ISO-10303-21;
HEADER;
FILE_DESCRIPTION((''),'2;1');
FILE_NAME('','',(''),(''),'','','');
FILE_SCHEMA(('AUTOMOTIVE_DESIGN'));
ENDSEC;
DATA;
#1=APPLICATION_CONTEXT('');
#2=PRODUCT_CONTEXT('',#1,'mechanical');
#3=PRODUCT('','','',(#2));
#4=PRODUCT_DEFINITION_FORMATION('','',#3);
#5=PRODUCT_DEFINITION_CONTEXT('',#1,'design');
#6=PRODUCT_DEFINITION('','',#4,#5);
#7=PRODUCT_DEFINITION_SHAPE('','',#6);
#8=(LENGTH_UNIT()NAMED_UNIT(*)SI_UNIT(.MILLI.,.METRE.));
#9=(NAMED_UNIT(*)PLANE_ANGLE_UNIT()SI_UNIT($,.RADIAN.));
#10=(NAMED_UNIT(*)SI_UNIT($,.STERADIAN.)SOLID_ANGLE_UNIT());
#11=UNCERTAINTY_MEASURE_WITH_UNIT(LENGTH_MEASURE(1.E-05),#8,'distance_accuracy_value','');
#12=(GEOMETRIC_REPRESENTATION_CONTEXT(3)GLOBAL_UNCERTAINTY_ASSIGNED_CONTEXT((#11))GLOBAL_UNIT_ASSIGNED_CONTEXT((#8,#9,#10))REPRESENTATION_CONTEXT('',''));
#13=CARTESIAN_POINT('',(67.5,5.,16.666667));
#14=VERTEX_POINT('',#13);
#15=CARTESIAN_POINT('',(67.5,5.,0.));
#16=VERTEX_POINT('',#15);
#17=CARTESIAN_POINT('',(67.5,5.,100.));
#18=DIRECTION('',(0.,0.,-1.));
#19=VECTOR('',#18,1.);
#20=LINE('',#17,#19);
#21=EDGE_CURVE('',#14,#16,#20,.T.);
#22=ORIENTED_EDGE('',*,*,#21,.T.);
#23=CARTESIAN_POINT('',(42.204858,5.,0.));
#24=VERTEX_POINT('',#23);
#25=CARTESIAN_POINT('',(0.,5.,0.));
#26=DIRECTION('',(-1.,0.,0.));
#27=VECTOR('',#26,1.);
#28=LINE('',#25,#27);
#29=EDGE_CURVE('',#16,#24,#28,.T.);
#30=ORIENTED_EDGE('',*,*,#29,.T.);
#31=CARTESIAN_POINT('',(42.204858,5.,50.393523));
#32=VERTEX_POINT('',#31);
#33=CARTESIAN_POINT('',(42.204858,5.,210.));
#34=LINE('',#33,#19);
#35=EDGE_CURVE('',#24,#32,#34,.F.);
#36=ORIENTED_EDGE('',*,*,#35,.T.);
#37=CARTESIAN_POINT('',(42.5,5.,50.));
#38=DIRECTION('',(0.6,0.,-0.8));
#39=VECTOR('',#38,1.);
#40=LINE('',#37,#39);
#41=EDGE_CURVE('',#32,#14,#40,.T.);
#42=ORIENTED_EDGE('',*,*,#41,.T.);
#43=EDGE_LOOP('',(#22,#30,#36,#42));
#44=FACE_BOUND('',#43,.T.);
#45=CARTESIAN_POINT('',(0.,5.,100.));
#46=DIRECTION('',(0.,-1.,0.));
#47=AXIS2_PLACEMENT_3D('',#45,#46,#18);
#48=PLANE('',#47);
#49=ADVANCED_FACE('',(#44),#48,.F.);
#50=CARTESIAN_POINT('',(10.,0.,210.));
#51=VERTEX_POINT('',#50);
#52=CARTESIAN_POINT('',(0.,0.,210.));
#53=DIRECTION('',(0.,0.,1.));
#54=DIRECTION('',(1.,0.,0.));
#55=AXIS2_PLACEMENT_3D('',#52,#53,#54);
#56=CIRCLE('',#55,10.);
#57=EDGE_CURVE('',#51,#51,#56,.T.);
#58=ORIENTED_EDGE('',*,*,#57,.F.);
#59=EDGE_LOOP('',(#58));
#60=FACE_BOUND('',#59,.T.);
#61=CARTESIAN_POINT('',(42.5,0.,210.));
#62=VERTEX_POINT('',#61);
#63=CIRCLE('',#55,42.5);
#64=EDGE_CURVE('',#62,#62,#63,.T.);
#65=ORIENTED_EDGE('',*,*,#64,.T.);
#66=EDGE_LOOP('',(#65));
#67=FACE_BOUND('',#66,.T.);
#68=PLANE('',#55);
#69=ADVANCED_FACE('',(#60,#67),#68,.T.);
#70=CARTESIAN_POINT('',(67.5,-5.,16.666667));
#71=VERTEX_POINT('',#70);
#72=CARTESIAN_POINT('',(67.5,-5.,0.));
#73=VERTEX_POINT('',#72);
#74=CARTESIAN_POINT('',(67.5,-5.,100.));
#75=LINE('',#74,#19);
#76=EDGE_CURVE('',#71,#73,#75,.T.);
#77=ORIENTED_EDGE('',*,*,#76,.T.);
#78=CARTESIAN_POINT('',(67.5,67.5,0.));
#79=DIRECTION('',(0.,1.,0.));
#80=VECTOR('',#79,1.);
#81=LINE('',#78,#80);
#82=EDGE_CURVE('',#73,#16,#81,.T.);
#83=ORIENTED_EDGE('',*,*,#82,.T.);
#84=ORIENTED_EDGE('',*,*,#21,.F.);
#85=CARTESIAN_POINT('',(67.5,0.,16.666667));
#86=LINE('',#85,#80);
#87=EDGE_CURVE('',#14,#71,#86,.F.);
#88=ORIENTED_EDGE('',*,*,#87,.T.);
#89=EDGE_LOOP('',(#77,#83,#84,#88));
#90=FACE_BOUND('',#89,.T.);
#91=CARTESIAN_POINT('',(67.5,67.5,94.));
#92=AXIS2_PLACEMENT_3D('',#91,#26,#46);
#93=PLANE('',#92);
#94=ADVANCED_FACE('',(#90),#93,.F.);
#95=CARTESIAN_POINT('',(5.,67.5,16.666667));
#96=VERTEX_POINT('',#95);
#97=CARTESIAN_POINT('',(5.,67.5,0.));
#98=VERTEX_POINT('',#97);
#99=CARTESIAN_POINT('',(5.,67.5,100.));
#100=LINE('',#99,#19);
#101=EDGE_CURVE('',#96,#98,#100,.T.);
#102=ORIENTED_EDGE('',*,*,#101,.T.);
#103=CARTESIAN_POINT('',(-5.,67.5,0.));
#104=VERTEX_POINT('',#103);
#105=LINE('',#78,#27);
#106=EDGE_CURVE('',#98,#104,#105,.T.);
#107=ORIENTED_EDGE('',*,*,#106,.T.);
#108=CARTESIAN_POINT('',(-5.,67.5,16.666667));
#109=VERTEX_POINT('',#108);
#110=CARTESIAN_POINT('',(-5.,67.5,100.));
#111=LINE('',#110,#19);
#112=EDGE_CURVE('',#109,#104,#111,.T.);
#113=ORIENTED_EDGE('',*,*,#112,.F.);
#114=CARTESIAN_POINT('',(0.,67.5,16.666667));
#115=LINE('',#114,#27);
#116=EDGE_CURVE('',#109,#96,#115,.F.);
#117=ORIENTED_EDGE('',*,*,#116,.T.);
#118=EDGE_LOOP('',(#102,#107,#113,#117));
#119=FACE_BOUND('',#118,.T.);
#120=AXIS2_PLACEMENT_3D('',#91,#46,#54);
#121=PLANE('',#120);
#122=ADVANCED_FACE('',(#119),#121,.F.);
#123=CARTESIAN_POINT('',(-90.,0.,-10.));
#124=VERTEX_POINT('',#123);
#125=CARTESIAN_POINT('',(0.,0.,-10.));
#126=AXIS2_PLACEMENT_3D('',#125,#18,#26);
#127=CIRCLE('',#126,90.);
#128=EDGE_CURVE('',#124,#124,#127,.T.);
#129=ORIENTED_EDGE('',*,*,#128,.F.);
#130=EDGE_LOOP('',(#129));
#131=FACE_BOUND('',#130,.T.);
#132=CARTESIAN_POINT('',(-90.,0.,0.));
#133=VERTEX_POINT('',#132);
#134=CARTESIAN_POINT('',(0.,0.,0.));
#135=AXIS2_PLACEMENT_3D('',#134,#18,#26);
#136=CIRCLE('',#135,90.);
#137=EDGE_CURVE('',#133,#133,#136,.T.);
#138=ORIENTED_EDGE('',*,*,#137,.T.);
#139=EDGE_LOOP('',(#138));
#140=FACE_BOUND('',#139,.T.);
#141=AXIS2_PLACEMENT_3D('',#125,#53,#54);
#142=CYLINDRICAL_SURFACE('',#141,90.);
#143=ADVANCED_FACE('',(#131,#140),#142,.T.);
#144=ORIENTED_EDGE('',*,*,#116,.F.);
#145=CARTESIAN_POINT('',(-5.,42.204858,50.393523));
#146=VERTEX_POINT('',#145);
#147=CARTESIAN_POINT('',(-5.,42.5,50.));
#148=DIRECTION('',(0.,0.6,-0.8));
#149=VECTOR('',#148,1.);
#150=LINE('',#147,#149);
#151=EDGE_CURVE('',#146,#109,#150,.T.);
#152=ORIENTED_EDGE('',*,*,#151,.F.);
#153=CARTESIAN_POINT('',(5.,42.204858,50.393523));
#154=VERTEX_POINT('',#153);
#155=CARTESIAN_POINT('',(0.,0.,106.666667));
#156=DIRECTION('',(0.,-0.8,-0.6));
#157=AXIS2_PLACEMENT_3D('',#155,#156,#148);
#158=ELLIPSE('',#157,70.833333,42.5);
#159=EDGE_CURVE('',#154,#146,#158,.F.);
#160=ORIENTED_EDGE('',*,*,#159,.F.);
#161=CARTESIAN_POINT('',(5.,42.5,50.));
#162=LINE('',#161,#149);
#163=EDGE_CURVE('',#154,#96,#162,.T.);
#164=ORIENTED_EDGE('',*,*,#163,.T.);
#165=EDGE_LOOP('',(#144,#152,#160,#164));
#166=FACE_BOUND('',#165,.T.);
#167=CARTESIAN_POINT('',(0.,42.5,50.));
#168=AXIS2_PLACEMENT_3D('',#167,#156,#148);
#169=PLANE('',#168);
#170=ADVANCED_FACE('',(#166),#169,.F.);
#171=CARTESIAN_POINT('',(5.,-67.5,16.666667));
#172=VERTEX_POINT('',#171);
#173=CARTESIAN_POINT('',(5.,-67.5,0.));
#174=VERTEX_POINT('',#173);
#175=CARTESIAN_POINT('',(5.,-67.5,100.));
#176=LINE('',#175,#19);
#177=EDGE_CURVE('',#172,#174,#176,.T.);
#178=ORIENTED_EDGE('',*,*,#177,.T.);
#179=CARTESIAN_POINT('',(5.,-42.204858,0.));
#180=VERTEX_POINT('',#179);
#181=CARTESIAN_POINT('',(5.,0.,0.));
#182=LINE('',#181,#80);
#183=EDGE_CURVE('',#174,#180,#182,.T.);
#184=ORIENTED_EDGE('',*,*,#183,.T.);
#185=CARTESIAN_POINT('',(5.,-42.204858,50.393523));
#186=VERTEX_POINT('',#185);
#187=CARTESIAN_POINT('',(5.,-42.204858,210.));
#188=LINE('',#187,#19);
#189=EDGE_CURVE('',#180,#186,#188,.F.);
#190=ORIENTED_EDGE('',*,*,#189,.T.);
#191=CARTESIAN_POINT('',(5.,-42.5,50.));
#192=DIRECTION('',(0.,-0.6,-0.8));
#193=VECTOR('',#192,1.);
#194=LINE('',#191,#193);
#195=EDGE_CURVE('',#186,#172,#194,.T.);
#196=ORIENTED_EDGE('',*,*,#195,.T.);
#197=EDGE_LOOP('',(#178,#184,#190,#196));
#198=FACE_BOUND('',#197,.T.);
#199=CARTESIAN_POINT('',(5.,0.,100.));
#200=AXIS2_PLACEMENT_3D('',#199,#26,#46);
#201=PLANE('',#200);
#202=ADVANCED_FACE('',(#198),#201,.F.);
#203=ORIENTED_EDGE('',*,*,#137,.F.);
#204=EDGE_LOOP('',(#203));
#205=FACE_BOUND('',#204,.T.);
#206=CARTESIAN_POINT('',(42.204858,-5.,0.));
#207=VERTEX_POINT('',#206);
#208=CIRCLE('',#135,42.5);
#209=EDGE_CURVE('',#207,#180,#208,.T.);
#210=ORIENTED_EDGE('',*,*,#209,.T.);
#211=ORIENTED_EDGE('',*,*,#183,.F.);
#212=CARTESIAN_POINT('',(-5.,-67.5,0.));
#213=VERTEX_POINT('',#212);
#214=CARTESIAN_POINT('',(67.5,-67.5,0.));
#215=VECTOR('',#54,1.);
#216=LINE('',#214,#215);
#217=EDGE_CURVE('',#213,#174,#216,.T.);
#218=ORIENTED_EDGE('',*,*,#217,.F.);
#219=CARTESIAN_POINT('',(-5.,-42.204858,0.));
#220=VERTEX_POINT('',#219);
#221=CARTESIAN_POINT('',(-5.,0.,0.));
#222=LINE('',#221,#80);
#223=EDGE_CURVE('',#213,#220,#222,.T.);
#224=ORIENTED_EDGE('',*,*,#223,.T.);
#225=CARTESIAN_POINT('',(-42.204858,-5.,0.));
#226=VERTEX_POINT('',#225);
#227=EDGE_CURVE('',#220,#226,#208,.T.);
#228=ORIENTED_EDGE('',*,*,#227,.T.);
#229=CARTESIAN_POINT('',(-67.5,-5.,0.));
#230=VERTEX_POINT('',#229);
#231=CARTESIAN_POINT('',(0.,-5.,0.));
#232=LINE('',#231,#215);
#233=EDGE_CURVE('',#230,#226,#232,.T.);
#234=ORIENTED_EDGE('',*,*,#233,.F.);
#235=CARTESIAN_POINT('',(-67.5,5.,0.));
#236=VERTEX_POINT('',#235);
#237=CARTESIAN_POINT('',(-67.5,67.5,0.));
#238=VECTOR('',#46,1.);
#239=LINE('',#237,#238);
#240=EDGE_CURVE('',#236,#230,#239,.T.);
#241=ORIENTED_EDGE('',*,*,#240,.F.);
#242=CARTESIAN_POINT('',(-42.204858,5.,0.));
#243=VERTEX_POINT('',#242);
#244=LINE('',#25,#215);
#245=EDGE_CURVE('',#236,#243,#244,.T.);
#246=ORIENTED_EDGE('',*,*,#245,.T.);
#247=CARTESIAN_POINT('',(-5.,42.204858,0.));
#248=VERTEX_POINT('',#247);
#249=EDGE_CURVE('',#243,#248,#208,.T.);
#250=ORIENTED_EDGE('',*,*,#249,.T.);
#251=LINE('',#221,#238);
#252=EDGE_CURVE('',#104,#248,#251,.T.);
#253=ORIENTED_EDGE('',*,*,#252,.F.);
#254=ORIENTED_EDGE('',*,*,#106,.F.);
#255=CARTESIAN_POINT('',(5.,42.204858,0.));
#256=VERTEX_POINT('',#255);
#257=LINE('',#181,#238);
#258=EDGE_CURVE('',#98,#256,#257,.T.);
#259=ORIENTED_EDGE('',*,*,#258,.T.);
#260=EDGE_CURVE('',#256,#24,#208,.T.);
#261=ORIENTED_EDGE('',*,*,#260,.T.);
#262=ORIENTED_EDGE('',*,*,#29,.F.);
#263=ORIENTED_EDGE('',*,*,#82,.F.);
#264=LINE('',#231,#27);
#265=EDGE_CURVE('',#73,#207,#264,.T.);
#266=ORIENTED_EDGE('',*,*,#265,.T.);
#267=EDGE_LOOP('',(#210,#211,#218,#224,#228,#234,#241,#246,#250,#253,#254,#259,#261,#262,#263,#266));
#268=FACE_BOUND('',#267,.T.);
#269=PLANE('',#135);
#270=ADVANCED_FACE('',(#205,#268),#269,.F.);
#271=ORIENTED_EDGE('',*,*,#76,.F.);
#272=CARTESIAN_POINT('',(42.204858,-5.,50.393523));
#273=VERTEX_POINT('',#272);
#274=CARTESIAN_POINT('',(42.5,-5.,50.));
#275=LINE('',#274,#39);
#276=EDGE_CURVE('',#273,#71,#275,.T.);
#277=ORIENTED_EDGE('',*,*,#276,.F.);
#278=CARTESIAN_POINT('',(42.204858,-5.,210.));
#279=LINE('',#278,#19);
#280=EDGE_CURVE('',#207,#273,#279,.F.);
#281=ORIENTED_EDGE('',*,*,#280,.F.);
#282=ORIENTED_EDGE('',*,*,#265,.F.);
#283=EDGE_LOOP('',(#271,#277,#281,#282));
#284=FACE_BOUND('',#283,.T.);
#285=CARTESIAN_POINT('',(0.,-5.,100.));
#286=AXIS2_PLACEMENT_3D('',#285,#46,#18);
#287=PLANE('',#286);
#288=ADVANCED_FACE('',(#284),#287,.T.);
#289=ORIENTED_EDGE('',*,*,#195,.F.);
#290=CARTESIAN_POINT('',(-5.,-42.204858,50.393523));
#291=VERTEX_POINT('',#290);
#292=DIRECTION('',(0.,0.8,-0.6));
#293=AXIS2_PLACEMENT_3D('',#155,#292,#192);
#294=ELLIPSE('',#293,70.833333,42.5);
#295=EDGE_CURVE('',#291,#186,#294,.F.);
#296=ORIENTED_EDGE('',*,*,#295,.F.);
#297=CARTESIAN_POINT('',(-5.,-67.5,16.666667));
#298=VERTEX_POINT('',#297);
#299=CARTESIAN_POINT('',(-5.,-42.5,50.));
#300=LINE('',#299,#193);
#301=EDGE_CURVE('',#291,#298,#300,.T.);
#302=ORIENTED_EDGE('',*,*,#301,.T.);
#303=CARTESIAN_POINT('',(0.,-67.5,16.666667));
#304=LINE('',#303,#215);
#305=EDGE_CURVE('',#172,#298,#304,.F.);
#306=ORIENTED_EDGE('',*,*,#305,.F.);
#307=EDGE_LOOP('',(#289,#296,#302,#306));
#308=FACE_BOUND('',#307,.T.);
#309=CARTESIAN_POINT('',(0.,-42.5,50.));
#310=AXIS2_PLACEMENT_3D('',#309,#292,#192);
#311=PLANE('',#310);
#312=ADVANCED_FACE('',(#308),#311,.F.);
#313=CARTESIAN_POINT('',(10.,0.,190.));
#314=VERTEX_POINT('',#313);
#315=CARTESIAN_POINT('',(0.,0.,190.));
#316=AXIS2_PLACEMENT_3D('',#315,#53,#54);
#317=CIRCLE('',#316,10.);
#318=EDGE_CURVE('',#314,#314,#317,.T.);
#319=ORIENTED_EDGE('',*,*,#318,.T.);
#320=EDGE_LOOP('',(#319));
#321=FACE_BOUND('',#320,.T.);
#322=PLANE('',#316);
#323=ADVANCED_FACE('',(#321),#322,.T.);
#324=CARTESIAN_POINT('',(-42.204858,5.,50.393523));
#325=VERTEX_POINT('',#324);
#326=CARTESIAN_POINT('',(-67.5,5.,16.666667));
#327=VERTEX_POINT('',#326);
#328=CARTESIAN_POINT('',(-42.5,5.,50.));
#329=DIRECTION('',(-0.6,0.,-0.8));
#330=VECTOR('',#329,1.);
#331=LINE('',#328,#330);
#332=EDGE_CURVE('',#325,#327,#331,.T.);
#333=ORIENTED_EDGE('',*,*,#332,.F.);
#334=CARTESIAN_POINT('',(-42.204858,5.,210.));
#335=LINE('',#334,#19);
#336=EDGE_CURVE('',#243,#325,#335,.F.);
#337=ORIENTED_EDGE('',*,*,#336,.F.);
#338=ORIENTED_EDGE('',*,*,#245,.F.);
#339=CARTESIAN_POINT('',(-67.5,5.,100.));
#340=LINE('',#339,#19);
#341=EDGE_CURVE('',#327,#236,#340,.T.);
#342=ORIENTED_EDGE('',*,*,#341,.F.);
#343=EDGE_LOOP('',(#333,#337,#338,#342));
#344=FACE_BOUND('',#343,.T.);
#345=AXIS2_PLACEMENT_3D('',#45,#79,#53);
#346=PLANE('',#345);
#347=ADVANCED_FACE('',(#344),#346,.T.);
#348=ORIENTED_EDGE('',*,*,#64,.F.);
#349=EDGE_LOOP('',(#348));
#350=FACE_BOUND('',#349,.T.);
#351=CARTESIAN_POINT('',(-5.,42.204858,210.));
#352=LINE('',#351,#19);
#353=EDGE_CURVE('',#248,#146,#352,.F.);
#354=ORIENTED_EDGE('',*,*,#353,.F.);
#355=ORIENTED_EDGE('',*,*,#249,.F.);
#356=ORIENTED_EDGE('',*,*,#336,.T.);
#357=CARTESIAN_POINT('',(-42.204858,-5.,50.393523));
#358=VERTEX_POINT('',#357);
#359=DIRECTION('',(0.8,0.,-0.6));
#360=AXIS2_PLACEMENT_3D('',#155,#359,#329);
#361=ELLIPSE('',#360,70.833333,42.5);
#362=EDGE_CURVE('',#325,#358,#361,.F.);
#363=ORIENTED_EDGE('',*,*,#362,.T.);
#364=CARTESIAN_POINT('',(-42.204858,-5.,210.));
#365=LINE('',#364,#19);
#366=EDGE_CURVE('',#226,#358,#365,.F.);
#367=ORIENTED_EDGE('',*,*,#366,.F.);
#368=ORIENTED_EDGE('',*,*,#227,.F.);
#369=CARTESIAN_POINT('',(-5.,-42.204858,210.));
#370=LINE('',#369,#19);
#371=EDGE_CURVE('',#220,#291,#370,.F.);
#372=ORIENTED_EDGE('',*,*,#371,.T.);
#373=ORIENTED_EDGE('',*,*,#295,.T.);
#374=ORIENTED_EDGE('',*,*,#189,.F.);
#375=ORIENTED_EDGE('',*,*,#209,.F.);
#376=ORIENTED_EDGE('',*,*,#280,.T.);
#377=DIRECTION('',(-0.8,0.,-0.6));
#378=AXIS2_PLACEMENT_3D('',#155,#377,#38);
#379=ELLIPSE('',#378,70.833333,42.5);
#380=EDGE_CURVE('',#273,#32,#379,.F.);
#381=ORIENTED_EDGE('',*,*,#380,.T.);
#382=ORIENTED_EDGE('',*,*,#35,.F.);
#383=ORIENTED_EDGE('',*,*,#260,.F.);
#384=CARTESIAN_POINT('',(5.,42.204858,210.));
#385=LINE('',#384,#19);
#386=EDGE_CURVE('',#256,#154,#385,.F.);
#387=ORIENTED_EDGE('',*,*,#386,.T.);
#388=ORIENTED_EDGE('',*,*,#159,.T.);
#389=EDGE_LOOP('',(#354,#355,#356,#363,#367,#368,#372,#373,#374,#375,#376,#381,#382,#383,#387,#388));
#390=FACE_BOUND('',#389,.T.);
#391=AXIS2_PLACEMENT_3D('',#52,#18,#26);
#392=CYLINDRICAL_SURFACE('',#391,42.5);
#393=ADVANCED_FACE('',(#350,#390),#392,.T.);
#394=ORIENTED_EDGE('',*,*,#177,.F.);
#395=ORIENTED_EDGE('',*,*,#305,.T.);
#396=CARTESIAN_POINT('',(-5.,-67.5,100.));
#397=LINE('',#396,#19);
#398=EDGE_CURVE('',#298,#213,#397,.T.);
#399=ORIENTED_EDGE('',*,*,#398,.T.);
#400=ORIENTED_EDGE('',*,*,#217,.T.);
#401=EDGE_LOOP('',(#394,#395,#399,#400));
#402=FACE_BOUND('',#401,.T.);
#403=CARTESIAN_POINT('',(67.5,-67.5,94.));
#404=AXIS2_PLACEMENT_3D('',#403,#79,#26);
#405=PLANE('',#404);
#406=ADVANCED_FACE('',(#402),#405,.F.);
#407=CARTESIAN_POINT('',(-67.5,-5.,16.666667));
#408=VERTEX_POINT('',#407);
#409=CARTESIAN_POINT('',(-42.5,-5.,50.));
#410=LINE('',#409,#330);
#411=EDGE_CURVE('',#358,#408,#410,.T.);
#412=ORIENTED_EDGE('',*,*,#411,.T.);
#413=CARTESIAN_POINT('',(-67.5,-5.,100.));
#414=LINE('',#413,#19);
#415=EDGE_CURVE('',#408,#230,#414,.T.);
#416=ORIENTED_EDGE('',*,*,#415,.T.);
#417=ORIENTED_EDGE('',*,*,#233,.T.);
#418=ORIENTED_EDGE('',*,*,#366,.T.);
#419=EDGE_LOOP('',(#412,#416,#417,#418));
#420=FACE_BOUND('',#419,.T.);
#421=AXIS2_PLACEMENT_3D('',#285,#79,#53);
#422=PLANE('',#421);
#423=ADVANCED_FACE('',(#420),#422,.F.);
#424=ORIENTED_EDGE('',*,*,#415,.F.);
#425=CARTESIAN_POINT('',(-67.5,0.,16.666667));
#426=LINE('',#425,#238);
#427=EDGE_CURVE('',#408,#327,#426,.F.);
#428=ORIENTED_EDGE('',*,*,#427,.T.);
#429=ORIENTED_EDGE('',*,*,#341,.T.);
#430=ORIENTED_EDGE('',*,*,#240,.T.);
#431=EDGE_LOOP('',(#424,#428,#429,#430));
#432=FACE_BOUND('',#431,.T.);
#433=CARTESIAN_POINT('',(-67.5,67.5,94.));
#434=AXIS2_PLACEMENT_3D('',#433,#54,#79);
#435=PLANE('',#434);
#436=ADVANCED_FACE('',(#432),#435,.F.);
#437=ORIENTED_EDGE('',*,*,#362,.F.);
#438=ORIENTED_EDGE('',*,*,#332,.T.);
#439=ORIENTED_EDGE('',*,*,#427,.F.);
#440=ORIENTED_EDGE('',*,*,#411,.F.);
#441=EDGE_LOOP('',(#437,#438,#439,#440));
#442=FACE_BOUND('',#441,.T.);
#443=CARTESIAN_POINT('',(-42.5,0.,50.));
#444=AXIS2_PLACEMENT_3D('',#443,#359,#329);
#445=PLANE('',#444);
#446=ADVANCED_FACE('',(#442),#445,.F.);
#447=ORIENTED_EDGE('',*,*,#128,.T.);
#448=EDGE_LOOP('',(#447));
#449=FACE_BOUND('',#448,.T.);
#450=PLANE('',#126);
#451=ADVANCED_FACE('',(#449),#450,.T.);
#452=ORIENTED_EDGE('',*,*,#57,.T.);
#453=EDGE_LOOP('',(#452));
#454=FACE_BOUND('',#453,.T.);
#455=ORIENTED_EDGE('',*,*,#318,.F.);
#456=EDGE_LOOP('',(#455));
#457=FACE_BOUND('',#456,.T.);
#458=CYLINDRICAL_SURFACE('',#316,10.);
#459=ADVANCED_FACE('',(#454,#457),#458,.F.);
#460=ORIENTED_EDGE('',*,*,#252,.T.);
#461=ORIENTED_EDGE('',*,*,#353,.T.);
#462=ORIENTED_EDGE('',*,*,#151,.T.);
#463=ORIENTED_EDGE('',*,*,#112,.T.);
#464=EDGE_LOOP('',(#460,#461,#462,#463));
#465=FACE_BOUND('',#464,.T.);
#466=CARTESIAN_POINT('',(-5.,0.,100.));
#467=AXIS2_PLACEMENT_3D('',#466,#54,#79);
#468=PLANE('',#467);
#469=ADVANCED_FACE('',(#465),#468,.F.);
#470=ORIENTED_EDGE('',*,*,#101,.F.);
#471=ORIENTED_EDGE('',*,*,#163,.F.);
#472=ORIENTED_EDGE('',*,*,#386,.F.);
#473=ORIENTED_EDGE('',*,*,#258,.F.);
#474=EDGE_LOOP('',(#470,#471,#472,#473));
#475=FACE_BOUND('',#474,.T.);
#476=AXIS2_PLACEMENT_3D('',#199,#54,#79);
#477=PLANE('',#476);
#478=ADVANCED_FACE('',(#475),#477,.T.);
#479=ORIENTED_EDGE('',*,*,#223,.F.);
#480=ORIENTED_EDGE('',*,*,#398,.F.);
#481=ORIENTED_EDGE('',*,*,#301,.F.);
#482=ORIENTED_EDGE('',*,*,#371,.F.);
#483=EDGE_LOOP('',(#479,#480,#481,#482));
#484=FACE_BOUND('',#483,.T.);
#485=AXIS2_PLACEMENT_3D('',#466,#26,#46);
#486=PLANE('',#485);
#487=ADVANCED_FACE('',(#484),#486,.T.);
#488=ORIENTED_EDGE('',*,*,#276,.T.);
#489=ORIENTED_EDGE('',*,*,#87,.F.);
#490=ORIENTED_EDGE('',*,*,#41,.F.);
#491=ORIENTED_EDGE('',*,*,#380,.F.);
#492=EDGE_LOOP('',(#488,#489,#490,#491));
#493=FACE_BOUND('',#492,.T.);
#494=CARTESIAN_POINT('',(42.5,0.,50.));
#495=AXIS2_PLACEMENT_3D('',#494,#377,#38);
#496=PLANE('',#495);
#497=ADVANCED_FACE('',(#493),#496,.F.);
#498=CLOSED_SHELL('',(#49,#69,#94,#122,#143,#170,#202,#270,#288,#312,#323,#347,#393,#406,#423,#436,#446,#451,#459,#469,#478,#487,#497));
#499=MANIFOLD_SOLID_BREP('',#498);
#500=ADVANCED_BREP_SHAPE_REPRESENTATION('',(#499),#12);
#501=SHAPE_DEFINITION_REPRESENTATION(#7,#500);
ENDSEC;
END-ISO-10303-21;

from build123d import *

# Parameters (mm, degrees)
SKETCH1_R           = 42.5
BOSS_EXTRUDE1_DEPTH = 210
SKETCH2_R           = 10
CUT_EXTRUDE1_DEPTH  = 20
SKETCH3_R           = 90
BOSS_EXTRUDE2_DEPTH = 10
RIB1_REACH          = 247.561
SKETCH4_WALL_W      = 555.621166312
SKETCH4_WALL_H      = 10
CIRPATTERN1_COUNT   = 4
SKETCH5_OUTSIDE_W   = 249.29
SKETCH5_OUTSIDE_H   = 249.29
SKETCH5_OUTSIDE_W_2 = 135
SKETCH5_OUTSIDE_H_2 = 135
CUT_EXTRUDE2_DEPTH  = 94


with BuildPart() as part:
    # Sketch1 → Boss-Extrude1 (new body)
    with BuildSketch(Plane.XY):
        Circle(SKETCH1_R)
    extrude(amount=BOSS_EXTRUDE1_DEPTH)

    # Sketch2 → Cut-Extrude1 (cut)
    with BuildSketch(Plane.XY.offset(210)):
        Circle(SKETCH2_R)
    extrude(amount=-CUT_EXTRUDE1_DEPTH, mode=Mode.SUBTRACT)

    # Sketch3 → Boss-Extrude2 (add)
    with BuildSketch(Plane(origin=(0, 0, 0), x_dir=(-1, 0, 0), z_dir=(0, 0, -1))):
        Circle(SKETCH3_R)
    extrude(amount=BOSS_EXTRUDE2_DEPTH)

    # Sketch4 wall → Rib1 (add, up to next)
    with BuildSketch(Plane(origin=(-61.25, 0, 25), x_dir=(-0.6, 0, -0.8), z_dir=(-0.8, 0, 0.6)), mode=Mode.PRIVATE) as rib1_sk1:
        Rectangle(SKETCH4_WALL_W, SKETCH4_WALL_H)
    rib1_tool1 = extrude(rib1_sk1.sketch, amount=-RIB1_REACH, mode=Mode.PRIVATE) - part.part
    rib1 = rib1_tool1.solids().sort_by_distance((-61.25, 0, 25))[0]
    add(rib1)

    # CirPattern1: Rib1 ×4 about axis
    cirpattern1_axis = Axis((0, 0, 0), (0, 0, 1))
    for i in range(1, CIRPATTERN1_COUNT):
        add(rib1.rotate(cirpattern1_axis, i * 360 / CIRPATTERN1_COUNT))

    # Sketch5 outside → Cut-Extrude2 (cut)
    with BuildSketch(Plane.XY):
        Rectangle(SKETCH5_OUTSIDE_W, SKETCH5_OUTSIDE_H)
        Rectangle(SKETCH5_OUTSIDE_W_2, SKETCH5_OUTSIDE_H_2, mode=Mode.SUBTRACT)
    extrude(amount=CUT_EXTRUDE2_DEPTH, mode=Mode.SUBTRACT)


solid = part.part
